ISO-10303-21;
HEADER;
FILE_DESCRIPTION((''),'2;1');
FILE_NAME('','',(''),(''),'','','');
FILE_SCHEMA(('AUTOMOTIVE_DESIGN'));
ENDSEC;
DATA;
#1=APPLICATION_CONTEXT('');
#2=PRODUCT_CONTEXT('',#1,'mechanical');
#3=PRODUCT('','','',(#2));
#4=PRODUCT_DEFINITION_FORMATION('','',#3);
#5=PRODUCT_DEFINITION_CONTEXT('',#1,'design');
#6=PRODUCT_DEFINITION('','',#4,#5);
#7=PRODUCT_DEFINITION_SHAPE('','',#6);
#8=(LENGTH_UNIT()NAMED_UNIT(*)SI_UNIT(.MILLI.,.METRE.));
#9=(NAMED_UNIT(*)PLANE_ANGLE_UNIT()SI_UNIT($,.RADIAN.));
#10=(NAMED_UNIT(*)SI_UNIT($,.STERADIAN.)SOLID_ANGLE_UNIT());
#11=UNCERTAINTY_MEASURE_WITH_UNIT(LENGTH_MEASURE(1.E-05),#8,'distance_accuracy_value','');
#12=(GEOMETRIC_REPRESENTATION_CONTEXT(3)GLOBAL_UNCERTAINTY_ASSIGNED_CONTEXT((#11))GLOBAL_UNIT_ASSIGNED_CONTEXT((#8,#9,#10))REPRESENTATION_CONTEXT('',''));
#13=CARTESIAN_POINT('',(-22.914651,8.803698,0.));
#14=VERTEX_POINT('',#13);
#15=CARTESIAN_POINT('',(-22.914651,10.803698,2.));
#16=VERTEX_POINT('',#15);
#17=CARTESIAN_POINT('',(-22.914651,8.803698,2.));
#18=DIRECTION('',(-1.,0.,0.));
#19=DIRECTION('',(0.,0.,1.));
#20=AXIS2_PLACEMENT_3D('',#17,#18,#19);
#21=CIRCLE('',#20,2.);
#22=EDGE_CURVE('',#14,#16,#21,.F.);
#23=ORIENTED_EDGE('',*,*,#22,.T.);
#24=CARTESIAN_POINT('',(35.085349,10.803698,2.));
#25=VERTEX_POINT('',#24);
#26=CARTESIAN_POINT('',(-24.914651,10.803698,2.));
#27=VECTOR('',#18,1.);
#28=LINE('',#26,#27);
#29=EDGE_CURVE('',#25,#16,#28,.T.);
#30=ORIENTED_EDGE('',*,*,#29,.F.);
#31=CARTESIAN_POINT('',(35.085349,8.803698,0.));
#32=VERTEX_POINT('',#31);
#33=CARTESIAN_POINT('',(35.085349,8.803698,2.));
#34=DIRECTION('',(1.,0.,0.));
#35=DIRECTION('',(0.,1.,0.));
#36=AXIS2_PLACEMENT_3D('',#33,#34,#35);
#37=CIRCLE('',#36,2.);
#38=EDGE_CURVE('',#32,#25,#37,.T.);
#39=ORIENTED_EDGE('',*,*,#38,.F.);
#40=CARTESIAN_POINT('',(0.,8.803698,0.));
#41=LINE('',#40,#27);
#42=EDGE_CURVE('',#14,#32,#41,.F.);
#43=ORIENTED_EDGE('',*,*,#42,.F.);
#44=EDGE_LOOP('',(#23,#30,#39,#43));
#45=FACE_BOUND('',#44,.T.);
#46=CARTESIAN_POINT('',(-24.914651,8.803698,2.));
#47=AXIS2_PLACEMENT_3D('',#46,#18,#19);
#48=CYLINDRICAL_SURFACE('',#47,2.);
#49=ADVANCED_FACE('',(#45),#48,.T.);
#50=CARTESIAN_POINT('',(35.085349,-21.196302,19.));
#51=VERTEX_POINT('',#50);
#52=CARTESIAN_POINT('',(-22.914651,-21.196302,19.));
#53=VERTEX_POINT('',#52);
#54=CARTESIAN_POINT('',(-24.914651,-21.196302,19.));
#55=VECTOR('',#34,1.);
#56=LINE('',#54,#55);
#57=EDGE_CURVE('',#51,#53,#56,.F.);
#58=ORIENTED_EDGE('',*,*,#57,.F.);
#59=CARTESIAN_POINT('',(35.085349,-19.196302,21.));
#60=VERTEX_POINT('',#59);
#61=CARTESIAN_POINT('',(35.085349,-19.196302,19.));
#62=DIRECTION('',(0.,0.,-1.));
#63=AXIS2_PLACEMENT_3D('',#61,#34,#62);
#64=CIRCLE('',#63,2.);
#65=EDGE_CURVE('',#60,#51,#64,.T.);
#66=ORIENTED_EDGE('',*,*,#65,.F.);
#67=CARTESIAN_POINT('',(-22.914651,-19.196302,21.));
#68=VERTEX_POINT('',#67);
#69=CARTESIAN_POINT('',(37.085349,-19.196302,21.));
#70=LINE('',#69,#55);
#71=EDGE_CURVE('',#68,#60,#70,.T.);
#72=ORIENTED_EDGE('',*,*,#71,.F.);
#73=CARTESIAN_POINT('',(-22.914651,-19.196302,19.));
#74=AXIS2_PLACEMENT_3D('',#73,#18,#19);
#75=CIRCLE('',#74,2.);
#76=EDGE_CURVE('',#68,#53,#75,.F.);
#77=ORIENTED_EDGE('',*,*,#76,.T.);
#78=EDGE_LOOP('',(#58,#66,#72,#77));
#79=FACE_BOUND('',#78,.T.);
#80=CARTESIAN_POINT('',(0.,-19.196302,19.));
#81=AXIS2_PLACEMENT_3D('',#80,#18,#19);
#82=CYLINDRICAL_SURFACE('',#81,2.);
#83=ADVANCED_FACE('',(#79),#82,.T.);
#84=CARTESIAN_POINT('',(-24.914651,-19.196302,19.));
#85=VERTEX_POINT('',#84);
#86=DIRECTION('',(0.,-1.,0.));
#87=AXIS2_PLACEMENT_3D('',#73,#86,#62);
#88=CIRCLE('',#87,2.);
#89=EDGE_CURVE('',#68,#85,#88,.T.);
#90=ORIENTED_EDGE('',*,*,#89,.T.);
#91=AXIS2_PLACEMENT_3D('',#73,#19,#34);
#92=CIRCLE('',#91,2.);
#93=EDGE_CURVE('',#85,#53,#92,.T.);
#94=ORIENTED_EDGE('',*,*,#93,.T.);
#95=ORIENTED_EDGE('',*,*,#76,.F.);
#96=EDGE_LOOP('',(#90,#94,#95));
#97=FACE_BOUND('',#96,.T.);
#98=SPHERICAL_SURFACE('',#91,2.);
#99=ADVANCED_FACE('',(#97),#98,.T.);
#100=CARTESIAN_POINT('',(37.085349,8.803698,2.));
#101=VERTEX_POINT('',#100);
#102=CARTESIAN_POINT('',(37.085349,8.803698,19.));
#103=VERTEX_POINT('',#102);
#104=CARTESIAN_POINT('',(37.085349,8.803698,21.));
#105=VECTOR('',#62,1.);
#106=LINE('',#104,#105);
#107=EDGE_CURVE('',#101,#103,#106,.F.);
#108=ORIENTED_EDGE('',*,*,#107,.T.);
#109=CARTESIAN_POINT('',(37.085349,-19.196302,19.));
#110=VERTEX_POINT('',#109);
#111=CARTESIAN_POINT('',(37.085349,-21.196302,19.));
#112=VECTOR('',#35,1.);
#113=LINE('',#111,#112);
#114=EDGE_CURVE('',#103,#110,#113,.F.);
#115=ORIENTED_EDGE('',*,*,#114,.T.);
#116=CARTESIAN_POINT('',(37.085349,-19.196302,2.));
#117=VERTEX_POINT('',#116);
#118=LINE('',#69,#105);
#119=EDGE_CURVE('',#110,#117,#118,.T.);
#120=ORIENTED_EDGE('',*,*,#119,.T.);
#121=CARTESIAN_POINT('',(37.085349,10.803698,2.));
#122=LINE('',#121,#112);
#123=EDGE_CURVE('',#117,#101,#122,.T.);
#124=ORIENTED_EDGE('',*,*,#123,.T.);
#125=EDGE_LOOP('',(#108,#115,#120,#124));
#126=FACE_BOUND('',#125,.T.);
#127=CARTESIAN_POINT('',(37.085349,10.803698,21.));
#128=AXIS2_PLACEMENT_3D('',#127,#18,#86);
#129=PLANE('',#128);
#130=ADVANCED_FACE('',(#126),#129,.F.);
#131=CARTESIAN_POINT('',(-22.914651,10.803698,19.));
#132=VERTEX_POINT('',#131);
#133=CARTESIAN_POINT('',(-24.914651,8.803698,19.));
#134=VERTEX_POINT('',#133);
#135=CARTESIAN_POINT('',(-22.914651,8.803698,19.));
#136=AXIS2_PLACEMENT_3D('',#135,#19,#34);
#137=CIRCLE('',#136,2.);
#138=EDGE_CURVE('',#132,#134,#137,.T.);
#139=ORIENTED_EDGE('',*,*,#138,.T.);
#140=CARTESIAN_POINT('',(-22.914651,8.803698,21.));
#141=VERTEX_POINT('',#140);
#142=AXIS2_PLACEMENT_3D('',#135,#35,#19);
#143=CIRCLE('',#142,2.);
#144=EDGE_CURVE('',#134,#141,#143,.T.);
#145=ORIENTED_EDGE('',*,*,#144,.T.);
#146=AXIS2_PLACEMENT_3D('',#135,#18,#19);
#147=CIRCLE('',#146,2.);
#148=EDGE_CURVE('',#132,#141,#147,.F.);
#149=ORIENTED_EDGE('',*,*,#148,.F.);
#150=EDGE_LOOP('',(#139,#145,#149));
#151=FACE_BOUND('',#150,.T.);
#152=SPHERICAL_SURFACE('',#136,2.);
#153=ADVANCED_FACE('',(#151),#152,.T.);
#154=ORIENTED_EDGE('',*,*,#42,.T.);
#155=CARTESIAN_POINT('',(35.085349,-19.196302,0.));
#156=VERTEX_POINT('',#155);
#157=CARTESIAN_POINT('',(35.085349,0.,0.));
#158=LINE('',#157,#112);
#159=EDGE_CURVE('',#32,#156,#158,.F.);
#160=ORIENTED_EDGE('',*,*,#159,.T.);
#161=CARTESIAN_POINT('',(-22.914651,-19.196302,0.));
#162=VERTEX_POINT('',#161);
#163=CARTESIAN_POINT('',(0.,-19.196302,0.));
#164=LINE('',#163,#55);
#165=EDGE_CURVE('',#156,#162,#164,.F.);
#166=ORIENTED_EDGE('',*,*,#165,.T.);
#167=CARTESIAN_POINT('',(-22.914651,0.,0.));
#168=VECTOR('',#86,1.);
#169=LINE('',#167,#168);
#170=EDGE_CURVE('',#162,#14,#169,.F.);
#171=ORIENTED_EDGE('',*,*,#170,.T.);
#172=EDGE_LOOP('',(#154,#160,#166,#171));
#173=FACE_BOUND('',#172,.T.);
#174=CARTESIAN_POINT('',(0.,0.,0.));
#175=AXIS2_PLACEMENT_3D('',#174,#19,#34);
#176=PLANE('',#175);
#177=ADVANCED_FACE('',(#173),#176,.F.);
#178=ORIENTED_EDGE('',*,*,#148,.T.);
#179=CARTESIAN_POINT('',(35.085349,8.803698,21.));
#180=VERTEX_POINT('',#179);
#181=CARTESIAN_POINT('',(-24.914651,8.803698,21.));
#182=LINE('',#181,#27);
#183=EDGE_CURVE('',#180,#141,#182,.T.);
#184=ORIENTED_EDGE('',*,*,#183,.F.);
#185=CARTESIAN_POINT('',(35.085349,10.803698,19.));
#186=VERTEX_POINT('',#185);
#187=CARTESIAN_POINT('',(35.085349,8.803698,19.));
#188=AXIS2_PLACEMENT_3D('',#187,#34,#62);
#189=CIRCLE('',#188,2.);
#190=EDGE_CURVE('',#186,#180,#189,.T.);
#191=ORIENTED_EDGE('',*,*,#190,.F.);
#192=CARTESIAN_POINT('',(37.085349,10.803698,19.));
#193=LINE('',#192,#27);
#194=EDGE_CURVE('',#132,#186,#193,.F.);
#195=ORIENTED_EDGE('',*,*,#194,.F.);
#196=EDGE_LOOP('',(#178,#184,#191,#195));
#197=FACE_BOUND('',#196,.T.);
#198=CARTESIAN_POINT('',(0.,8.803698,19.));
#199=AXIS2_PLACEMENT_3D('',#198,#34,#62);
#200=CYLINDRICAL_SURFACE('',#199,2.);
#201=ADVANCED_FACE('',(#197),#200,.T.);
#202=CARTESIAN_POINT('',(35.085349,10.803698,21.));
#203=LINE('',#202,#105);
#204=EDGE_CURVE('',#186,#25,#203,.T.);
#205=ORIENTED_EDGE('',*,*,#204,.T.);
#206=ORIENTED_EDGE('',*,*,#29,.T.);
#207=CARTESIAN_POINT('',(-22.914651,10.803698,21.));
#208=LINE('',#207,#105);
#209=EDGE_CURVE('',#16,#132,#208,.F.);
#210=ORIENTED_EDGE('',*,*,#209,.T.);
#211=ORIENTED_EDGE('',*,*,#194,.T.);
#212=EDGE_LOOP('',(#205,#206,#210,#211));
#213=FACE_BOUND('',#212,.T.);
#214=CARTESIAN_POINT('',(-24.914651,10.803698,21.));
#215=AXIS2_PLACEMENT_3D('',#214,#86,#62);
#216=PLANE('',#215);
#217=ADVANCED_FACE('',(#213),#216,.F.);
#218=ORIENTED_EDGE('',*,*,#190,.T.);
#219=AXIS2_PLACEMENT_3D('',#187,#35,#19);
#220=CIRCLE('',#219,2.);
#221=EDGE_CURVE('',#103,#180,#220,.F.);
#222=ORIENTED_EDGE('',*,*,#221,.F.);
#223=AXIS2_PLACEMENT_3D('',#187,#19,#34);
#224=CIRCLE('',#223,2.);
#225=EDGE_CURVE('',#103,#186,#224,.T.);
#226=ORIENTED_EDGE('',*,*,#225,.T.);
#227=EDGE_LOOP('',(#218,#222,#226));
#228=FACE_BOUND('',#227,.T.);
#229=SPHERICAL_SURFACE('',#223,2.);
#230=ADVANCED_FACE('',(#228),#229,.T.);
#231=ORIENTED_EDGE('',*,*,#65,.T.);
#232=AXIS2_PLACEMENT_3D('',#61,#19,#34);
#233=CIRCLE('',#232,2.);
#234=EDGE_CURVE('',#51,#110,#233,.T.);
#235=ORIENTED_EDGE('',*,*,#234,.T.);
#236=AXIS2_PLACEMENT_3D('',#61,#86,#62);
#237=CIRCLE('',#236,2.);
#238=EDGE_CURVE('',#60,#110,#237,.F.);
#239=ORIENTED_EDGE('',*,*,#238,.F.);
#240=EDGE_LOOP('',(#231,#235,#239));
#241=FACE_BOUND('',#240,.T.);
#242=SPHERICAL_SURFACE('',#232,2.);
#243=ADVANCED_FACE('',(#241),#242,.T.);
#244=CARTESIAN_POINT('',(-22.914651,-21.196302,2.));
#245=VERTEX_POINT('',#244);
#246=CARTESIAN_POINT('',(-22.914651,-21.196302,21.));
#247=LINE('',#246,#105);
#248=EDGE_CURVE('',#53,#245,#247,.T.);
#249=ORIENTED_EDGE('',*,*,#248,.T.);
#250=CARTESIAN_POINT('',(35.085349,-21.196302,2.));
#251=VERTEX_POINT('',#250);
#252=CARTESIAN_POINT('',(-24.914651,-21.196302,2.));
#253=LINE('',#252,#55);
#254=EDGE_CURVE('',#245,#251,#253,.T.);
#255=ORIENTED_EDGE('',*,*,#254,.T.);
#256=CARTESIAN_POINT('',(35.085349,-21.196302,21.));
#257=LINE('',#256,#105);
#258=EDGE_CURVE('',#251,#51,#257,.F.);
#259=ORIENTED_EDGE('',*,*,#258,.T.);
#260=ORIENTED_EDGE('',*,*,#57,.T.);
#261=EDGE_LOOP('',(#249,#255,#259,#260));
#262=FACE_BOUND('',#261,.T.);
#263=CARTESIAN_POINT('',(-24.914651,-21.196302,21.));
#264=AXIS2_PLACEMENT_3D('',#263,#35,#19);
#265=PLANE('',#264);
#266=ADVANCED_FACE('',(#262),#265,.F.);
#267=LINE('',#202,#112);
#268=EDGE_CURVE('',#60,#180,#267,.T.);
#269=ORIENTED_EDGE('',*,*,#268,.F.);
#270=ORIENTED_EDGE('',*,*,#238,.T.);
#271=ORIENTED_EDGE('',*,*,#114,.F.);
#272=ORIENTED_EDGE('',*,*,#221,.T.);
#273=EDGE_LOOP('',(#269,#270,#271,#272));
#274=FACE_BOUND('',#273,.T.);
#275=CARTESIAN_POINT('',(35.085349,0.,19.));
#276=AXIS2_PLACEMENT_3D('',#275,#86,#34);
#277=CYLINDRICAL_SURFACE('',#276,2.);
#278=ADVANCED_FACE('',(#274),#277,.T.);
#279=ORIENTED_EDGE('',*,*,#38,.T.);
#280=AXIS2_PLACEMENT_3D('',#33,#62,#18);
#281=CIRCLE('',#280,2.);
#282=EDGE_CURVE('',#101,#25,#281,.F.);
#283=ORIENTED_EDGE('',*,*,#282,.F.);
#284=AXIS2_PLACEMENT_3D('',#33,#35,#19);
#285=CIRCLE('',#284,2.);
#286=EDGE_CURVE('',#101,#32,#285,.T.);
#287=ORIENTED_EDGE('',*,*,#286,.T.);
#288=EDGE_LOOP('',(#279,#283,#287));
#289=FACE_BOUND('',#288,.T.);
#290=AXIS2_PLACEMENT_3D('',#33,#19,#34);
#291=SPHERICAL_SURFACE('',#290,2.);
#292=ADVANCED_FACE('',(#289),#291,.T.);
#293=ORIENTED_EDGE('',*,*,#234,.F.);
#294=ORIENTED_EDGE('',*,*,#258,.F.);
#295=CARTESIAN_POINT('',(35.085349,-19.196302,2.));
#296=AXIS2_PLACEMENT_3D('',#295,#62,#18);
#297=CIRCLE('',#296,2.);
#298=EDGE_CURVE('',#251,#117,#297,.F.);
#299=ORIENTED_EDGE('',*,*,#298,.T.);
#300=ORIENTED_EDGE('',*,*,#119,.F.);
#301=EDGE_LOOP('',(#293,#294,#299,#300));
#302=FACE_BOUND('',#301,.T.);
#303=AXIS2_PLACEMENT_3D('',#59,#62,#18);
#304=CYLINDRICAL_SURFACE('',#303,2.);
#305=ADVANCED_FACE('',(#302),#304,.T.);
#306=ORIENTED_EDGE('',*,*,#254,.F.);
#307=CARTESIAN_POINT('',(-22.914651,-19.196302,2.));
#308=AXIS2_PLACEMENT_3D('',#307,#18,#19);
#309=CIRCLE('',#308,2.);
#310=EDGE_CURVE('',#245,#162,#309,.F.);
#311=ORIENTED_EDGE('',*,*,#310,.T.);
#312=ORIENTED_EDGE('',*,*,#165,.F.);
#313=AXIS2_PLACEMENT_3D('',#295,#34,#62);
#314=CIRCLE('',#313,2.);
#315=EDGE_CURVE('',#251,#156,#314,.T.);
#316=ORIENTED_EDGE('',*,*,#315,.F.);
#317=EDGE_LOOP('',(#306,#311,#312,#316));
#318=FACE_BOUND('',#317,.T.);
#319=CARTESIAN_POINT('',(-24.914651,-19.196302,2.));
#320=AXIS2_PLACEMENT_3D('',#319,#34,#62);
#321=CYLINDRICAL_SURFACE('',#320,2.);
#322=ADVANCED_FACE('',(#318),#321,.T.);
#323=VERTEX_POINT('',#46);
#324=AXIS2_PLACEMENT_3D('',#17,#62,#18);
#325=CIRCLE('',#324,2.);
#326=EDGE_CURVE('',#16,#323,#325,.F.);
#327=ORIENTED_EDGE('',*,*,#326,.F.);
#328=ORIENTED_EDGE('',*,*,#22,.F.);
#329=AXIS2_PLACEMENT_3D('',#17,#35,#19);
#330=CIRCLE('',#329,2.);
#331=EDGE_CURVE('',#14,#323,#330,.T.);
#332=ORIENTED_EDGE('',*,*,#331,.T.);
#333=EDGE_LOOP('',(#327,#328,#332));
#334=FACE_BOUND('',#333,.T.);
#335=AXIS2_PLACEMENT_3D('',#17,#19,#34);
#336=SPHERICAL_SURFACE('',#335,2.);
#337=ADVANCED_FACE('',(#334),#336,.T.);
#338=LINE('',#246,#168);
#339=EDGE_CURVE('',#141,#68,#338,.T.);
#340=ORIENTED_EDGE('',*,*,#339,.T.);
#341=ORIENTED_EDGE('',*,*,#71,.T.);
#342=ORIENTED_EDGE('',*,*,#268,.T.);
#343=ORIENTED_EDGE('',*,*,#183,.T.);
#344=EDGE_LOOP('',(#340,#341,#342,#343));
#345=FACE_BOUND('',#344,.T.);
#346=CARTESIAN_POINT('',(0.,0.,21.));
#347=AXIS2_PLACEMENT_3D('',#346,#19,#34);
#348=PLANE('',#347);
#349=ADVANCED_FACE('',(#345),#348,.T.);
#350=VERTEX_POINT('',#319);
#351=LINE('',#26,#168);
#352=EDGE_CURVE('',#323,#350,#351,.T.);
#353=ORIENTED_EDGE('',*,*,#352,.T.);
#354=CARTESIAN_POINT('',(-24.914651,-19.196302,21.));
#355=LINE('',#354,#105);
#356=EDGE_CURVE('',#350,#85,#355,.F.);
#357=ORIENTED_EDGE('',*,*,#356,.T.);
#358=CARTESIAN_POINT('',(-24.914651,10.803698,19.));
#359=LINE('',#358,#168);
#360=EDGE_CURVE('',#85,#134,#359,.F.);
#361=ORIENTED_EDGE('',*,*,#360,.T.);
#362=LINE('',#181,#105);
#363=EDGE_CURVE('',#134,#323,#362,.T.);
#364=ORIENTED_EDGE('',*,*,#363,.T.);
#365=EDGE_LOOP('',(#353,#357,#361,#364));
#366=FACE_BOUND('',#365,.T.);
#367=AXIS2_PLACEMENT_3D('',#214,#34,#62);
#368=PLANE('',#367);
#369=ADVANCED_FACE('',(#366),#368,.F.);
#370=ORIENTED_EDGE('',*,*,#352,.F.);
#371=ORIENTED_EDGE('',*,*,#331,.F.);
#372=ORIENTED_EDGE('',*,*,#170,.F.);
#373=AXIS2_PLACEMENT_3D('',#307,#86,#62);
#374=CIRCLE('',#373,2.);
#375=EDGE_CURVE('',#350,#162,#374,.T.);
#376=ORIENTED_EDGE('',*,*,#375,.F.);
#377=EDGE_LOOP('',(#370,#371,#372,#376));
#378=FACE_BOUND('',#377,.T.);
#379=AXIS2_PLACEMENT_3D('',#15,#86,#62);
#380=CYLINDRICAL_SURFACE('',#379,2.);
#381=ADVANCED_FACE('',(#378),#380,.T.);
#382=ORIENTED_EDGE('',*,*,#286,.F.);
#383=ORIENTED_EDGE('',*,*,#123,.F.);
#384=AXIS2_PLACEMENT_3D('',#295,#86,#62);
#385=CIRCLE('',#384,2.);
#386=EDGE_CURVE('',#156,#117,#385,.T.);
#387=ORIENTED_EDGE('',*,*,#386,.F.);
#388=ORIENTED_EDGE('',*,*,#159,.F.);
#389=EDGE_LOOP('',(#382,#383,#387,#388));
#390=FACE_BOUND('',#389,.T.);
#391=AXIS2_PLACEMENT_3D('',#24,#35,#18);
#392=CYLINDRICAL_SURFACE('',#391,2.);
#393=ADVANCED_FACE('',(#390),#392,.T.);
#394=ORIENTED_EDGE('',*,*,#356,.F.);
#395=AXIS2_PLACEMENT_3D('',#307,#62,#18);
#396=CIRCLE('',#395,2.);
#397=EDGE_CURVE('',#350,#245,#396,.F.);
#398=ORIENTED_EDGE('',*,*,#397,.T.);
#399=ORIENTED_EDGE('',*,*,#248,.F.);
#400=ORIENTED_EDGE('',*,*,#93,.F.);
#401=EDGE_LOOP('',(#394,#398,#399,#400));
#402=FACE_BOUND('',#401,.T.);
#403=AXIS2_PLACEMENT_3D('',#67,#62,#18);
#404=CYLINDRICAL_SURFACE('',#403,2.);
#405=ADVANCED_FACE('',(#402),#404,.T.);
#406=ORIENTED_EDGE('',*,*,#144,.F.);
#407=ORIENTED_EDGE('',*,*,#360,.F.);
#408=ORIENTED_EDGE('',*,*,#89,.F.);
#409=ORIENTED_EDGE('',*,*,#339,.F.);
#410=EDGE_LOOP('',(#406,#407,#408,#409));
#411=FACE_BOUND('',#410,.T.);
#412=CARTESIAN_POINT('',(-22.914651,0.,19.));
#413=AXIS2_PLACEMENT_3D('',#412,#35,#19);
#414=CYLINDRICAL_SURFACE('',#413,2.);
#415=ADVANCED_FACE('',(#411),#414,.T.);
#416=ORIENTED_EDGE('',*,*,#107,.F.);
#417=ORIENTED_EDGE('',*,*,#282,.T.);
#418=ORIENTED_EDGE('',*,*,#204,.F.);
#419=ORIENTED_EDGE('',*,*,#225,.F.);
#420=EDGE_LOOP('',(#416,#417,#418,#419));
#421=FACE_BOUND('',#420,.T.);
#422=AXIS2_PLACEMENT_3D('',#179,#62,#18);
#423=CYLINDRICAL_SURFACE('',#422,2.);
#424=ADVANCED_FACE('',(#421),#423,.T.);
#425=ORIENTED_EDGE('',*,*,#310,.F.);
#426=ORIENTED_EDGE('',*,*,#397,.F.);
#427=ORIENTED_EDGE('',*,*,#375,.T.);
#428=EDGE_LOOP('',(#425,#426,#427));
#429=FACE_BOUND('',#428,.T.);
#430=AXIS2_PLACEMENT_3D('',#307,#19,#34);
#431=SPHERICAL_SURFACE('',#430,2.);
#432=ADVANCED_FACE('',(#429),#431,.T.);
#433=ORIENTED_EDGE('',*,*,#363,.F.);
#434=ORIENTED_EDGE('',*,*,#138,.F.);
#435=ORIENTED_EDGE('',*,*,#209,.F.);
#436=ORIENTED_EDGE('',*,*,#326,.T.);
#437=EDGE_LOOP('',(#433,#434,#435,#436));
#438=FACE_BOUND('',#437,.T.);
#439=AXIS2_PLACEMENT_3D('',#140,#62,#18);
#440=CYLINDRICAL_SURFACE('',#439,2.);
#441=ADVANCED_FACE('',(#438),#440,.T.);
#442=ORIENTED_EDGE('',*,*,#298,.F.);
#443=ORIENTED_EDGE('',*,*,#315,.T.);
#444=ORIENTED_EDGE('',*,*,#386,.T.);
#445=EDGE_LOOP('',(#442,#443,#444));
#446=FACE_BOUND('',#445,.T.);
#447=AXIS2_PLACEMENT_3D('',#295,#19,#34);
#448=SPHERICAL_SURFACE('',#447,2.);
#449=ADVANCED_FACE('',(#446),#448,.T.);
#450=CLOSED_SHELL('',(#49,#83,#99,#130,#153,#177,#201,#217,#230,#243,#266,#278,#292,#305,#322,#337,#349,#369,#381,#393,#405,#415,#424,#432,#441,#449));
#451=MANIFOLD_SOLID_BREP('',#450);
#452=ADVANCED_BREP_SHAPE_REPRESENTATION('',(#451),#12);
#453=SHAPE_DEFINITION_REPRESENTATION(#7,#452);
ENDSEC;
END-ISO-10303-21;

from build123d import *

# Parameters (mm, degrees)
ESBO_O1_W                = 62
ESBO_O1_H                = 32
RESSALTO_EXTRUS_O1_DEPTH = 21
FILETE1_R                = 2


with BuildPart() as part:
    # Esboço1 → Ressalto-extrusão1 (new body)
    with BuildSketch(Plane.XY):
        with Locations((6.085348506, -5.196301565)):
            Rectangle(ESBO_O1_W, ESBO_O1_H)
    extrude(amount=RESSALTO_EXTRUS_O1_DEPTH)

    # Filete1
    filete1_edges = [part.edges().sort_by_distance(p)[0] for p in [
        (37.085348506, -5.196301565, 21),
        (6.085348506, 10.803698435, 21),
        (-24.914651494, -5.196301565, 21),
        (6.085348506, 10.803698435, 0),
        (37.085348506, -5.196301565, 0),
        (6.085348506, -21.196301565, 0),
        (-24.914651494, -5.196301565, 0),
        (6.085348506, -21.196301565, 21),
        (-24.914651494, 10.803698435, 10.5),
        (37.085348506, 10.803698435, 10.5),
        (37.085348506, -21.196301565, 10.5),
        (-24.914651494, -21.196301565, 10.5),
    ]]
    fillet(filete1_edges, radius=FILETE1_R)


solid = part.part
